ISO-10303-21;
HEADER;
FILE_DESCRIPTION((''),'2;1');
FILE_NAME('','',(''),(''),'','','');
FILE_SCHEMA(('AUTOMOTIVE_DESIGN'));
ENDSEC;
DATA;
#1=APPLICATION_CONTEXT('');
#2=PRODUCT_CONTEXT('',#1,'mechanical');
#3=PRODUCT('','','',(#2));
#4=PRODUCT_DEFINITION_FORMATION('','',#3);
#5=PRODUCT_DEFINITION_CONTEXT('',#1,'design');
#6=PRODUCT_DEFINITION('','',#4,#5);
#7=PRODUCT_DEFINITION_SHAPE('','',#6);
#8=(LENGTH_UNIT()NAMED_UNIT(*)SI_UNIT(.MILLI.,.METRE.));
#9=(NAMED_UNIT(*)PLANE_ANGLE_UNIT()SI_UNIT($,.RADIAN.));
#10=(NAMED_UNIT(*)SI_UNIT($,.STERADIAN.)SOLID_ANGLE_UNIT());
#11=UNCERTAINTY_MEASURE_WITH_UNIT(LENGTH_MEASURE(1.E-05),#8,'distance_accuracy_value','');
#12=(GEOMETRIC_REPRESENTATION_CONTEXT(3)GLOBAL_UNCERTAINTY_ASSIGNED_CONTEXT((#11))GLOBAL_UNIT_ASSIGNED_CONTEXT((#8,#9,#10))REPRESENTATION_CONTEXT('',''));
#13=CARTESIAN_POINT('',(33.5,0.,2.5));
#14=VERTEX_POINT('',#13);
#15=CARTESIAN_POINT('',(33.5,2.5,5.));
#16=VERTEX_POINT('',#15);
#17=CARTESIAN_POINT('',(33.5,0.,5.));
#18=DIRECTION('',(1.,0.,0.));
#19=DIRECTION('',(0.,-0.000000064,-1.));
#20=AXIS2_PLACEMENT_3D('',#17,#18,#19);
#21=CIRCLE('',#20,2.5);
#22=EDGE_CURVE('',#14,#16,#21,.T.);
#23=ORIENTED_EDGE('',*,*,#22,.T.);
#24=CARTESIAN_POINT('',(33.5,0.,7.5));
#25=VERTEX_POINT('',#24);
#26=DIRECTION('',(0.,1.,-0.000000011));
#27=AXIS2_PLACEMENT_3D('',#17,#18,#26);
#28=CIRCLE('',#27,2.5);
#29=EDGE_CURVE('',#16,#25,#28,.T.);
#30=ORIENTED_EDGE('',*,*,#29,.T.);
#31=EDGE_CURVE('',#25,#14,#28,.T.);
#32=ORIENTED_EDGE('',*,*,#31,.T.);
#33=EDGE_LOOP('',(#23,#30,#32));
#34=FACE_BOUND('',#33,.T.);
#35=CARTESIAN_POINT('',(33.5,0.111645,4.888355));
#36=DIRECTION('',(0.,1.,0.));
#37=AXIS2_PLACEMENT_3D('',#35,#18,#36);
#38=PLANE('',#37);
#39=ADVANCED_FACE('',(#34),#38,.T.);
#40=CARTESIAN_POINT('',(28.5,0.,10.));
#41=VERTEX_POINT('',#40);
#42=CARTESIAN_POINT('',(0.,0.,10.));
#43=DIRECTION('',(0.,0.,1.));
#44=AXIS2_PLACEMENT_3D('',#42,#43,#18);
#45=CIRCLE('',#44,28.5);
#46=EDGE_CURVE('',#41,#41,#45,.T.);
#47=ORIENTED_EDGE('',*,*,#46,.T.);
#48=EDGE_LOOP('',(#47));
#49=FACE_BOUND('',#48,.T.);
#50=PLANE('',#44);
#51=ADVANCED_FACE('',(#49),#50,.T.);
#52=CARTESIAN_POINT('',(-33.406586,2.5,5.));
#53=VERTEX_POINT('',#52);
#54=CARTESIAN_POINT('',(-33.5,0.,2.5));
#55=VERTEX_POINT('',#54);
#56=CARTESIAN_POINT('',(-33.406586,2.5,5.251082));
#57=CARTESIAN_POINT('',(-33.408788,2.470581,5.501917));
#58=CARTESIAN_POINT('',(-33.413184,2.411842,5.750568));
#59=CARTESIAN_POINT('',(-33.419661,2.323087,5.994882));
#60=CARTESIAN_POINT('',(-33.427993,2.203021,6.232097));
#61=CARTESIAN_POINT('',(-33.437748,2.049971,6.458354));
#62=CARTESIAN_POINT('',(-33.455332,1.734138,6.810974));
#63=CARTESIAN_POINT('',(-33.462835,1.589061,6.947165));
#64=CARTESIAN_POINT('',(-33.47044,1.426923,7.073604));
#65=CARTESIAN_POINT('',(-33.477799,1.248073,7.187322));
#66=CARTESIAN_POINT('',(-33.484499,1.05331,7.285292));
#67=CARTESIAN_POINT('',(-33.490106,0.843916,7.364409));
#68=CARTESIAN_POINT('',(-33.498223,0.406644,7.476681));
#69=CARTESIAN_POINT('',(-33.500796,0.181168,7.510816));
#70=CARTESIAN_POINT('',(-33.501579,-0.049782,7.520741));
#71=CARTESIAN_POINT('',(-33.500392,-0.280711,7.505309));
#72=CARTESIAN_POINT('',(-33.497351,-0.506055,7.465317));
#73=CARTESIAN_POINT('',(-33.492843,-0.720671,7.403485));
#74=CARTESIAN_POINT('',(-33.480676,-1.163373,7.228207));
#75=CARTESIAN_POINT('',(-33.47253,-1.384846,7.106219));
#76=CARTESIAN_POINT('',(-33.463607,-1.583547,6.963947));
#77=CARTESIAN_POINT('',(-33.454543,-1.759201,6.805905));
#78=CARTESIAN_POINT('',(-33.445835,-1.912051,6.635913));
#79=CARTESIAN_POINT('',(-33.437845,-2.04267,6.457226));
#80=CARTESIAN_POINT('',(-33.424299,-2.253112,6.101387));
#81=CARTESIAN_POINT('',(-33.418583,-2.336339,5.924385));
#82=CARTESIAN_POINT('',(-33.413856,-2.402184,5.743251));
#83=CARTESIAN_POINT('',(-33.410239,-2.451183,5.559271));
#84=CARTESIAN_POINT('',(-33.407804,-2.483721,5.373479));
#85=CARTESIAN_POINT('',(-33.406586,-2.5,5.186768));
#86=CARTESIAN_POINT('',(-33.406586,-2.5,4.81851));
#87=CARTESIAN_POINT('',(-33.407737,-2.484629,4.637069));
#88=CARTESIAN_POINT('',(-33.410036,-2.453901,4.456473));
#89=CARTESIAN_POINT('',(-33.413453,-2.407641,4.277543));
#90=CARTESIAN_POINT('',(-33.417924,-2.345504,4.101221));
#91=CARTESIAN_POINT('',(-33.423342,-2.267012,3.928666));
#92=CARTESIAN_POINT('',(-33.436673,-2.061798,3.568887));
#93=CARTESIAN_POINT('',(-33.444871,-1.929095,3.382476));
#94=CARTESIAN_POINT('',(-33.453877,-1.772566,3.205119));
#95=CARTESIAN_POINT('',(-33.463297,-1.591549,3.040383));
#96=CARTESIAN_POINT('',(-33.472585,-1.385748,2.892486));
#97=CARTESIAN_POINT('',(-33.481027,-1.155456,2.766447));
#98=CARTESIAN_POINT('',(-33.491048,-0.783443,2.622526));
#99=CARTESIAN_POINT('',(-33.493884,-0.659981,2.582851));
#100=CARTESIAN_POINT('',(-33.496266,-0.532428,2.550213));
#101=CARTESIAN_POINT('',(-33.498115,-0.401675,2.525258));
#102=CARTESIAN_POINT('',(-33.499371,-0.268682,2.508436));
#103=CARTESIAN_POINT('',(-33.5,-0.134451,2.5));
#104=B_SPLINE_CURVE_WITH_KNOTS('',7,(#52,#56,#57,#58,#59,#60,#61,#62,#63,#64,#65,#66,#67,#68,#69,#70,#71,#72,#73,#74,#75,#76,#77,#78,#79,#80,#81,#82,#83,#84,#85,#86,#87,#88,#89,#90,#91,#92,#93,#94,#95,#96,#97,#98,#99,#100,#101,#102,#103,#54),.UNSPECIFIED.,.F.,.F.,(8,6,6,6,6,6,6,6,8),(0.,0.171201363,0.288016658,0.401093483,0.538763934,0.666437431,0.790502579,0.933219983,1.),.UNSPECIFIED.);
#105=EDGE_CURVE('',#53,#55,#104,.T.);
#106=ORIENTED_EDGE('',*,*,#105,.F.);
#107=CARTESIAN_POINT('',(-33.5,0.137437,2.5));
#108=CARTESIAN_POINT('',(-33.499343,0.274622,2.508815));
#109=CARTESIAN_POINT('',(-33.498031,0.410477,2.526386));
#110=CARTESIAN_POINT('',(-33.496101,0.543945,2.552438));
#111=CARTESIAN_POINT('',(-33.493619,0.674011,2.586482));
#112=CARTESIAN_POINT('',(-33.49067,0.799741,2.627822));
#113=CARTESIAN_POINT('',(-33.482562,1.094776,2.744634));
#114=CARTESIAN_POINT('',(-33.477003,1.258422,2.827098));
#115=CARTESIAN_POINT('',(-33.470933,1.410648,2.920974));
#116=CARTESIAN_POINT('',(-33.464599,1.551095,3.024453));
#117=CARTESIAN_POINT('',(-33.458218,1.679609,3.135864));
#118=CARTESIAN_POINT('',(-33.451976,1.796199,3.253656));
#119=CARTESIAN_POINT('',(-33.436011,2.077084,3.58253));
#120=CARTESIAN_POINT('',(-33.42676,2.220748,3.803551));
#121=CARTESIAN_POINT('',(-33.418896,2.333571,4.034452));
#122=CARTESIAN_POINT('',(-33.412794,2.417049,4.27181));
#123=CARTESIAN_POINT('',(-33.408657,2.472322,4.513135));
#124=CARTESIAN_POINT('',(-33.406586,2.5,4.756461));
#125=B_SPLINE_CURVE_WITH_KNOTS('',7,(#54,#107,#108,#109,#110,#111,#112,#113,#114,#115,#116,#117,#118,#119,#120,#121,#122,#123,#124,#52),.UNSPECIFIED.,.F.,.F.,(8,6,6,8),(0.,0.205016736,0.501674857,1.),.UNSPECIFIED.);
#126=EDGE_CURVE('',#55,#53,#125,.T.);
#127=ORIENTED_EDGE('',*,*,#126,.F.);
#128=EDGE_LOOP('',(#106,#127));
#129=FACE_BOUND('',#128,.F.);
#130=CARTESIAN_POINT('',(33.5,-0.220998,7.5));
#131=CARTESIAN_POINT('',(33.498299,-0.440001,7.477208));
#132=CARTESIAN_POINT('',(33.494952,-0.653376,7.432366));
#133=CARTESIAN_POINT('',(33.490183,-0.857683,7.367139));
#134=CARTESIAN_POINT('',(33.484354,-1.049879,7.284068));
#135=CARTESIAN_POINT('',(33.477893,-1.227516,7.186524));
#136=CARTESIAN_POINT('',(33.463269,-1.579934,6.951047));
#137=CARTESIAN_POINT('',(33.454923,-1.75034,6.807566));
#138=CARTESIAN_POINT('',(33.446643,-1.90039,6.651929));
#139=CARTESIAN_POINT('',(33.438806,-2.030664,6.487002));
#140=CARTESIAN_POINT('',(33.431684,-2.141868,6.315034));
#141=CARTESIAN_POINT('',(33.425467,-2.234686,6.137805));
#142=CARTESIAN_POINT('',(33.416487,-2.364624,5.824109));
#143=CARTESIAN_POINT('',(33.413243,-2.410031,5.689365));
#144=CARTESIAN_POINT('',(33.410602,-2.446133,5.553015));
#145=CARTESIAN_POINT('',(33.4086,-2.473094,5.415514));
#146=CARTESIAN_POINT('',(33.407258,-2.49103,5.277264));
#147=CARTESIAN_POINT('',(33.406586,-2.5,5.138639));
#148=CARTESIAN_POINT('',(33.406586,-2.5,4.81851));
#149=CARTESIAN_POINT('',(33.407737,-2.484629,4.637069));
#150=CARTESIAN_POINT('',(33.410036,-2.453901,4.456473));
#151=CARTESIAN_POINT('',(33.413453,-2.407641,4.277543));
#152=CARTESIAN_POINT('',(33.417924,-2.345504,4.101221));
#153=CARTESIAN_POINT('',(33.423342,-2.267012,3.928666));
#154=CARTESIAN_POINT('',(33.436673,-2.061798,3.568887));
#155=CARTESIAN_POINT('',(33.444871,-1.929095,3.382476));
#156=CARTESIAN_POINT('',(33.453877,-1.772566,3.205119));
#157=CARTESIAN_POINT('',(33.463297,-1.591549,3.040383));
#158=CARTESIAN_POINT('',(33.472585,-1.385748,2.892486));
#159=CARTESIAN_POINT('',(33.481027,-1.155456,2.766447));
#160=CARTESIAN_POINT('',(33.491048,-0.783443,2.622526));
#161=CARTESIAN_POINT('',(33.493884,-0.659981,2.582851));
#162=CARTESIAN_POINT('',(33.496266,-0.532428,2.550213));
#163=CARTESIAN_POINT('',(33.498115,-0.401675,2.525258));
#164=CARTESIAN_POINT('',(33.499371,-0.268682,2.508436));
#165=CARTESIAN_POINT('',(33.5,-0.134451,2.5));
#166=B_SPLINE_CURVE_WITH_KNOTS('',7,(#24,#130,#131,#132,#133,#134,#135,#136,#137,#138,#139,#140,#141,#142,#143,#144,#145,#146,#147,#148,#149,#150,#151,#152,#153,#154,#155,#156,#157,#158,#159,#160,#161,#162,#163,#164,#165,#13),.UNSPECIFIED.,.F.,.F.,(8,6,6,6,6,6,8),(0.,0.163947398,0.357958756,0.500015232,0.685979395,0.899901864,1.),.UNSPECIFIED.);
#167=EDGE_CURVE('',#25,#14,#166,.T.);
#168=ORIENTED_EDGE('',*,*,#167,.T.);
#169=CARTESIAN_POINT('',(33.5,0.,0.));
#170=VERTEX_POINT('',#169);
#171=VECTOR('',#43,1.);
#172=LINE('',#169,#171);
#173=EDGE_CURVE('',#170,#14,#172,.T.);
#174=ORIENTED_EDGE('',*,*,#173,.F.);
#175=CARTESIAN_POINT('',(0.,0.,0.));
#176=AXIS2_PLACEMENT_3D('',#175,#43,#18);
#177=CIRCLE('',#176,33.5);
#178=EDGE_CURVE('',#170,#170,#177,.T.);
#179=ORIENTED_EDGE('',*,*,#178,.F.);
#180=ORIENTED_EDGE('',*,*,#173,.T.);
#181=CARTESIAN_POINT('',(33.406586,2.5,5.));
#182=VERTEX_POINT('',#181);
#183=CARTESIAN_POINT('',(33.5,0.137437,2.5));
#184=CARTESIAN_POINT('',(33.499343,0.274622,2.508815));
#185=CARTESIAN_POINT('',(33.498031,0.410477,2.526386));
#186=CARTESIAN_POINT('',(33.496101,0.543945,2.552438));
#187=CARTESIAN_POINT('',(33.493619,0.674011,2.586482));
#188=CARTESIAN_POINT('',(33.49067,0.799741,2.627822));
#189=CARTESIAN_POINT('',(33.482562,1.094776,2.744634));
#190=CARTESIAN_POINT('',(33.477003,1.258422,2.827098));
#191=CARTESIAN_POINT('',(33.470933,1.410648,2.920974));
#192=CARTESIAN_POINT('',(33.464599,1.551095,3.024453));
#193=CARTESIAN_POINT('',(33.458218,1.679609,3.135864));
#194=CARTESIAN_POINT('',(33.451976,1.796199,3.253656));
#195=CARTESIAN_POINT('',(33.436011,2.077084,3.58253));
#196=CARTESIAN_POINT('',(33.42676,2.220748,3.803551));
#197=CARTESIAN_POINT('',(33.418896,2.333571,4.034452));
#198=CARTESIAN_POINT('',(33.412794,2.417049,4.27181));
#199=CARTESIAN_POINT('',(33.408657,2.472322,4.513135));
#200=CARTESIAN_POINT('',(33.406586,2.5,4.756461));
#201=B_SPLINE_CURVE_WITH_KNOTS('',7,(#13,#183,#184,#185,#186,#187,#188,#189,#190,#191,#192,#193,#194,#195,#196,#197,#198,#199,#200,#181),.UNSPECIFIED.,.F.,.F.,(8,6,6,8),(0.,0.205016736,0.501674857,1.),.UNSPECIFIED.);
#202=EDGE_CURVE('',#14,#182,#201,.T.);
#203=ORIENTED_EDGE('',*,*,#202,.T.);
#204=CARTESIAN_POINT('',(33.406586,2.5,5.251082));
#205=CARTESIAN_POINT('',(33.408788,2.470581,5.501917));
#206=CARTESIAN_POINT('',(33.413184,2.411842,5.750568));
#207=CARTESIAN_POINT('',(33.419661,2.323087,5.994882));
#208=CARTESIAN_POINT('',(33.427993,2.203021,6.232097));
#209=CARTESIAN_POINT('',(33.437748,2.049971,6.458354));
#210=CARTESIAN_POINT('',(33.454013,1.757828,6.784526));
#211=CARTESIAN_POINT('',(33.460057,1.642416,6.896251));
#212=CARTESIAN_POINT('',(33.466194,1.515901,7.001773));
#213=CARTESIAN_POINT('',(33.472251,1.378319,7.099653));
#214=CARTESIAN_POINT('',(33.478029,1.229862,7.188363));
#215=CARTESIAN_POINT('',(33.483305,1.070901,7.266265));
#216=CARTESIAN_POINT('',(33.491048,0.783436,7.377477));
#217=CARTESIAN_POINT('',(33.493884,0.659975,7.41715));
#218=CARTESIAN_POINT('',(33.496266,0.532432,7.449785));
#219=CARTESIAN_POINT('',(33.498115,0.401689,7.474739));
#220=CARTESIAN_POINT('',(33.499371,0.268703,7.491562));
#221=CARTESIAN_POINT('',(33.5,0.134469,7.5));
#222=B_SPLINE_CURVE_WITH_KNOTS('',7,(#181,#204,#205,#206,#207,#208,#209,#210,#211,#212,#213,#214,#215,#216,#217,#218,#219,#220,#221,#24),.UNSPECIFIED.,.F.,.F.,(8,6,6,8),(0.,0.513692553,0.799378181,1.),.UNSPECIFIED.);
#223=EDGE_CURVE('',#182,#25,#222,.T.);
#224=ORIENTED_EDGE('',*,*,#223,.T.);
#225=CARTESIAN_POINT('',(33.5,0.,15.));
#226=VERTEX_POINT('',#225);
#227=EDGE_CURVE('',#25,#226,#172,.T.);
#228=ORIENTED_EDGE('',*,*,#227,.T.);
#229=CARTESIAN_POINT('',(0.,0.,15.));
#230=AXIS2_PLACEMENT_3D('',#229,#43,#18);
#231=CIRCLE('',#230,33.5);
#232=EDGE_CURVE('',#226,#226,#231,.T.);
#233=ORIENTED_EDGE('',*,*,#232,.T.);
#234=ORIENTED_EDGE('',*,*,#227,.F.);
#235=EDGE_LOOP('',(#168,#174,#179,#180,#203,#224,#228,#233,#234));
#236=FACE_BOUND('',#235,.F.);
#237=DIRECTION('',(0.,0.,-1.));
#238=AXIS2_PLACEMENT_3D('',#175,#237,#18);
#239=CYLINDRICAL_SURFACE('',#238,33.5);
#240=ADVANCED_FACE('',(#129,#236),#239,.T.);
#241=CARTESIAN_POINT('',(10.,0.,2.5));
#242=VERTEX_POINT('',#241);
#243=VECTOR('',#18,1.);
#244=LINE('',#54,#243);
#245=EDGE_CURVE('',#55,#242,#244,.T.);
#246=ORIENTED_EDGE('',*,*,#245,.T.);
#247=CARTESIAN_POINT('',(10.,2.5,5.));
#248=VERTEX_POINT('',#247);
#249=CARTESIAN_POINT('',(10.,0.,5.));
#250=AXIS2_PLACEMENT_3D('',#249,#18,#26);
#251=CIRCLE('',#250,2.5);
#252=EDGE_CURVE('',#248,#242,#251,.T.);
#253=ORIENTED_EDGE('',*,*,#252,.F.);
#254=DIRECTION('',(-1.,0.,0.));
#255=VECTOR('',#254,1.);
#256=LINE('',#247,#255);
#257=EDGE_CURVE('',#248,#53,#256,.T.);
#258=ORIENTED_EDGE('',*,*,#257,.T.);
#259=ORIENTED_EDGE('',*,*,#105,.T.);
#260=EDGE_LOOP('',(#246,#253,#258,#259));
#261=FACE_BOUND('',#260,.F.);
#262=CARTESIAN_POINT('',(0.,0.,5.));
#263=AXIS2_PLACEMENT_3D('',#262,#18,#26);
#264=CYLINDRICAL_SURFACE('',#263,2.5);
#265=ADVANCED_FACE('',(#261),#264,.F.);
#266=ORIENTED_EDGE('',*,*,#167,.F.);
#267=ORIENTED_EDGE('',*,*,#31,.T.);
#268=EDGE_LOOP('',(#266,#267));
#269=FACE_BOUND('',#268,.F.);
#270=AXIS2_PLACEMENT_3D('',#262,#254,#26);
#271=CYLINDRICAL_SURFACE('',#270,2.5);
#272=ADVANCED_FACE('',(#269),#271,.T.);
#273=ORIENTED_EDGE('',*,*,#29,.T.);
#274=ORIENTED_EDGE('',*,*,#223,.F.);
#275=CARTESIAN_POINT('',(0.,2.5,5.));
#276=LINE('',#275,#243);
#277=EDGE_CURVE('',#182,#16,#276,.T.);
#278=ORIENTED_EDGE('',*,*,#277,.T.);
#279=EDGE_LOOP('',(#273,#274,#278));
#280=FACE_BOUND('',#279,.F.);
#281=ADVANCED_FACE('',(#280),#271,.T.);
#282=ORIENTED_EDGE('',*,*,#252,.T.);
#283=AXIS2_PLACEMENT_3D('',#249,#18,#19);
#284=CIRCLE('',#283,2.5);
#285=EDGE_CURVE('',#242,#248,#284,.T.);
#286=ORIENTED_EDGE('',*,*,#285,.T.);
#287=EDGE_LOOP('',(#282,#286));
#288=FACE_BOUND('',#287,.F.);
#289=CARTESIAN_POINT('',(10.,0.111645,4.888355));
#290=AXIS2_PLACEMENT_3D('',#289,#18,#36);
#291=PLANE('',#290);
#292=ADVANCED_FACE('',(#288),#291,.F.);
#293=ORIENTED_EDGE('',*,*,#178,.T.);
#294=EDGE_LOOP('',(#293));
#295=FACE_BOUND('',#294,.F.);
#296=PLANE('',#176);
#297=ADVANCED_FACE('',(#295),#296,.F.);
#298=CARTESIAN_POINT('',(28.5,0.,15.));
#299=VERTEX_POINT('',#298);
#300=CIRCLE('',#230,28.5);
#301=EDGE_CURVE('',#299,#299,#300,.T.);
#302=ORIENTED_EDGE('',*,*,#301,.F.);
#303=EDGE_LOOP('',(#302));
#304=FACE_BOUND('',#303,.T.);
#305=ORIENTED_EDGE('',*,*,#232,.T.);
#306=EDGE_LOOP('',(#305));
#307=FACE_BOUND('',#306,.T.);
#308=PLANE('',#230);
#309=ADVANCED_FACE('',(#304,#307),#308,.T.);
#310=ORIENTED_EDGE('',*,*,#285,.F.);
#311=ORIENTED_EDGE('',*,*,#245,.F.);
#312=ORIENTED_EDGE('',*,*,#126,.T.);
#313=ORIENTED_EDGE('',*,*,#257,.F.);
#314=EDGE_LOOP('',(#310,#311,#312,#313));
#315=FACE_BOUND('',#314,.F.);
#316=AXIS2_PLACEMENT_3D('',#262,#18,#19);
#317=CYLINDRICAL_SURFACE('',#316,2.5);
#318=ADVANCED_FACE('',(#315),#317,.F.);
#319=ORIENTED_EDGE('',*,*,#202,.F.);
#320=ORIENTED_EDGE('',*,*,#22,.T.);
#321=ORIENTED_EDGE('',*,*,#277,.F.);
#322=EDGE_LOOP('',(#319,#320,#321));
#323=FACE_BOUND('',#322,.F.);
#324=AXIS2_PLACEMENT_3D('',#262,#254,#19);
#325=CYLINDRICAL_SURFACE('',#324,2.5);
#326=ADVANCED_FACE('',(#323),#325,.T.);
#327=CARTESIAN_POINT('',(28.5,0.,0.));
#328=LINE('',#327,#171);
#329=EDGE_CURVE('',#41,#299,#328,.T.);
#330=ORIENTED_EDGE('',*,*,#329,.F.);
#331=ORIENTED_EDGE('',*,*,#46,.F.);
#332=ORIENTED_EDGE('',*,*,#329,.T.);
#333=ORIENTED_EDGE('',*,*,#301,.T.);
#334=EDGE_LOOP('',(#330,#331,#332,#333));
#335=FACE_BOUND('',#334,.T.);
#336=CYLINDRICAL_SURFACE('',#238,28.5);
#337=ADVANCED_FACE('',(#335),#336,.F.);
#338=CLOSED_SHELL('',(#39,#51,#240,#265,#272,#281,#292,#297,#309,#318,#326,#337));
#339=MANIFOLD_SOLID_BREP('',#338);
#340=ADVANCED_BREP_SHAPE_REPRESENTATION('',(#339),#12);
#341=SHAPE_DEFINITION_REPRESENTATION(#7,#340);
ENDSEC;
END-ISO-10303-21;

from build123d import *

# Parameters (mm, degrees)
F0_R     = 33.5
F0_R_2   = 28.5
F1_DEPTH = 15
F2_DEPTH = 10
F4_DEPTH = 35
F5_DEPTH = 33.5
F6_DEPTH = 10


with BuildPart() as f1:
    # F0 (on Top) → F1 (new body)
    with BuildSketch(Plane.XY):
        Circle(F0_R)
        Circle(F0_R_2, mode=Mode.SUBTRACT)
    extrude(amount=F1_DEPTH)

    # F0 (on Top) → F2 (join)
    with BuildSketch(Plane.XY):
        Circle(F0_R_2)
    extrude(amount=F2_DEPTH)

    # F3 (on Right) → F4 (cut, symmetric)
    with BuildSketch(Plane.YZ):
        with BuildLine():
            ThreePointArc((0, 2.5), (1.767767, 3.232233), (2.5, 5))
            ThreePointArc((2.5, 5), (-1.767767, 6.767767), (0, 2.5))
        make_face()
    extrude(amount=F4_DEPTH, both=True, mode=Mode.SUBTRACT)

    # F3 (on Right) → F5 (join)
    with BuildSketch(Plane.YZ):
        with BuildLine():
            ThreePointArc((0, 2.5), (1.767767, 3.232233), (2.5, 5))
            ThreePointArc((2.5, 5), (-1.767767, 6.767767), (0, 2.5))
        make_face()
    extrude(amount=F5_DEPTH)

    # F3 (on Right) → F6 (cut)
    with BuildSketch(Plane.YZ):
        with BuildLine():
            ThreePointArc((0, 2.5), (1.767767, 3.232233), (2.5, 5))
            ThreePointArc((2.5, 5), (-1.767767, 6.767767), (0, 2.5))
        make_face()
    extrude(amount=F6_DEPTH, mode=Mode.SUBTRACT)


solid = f1.part
